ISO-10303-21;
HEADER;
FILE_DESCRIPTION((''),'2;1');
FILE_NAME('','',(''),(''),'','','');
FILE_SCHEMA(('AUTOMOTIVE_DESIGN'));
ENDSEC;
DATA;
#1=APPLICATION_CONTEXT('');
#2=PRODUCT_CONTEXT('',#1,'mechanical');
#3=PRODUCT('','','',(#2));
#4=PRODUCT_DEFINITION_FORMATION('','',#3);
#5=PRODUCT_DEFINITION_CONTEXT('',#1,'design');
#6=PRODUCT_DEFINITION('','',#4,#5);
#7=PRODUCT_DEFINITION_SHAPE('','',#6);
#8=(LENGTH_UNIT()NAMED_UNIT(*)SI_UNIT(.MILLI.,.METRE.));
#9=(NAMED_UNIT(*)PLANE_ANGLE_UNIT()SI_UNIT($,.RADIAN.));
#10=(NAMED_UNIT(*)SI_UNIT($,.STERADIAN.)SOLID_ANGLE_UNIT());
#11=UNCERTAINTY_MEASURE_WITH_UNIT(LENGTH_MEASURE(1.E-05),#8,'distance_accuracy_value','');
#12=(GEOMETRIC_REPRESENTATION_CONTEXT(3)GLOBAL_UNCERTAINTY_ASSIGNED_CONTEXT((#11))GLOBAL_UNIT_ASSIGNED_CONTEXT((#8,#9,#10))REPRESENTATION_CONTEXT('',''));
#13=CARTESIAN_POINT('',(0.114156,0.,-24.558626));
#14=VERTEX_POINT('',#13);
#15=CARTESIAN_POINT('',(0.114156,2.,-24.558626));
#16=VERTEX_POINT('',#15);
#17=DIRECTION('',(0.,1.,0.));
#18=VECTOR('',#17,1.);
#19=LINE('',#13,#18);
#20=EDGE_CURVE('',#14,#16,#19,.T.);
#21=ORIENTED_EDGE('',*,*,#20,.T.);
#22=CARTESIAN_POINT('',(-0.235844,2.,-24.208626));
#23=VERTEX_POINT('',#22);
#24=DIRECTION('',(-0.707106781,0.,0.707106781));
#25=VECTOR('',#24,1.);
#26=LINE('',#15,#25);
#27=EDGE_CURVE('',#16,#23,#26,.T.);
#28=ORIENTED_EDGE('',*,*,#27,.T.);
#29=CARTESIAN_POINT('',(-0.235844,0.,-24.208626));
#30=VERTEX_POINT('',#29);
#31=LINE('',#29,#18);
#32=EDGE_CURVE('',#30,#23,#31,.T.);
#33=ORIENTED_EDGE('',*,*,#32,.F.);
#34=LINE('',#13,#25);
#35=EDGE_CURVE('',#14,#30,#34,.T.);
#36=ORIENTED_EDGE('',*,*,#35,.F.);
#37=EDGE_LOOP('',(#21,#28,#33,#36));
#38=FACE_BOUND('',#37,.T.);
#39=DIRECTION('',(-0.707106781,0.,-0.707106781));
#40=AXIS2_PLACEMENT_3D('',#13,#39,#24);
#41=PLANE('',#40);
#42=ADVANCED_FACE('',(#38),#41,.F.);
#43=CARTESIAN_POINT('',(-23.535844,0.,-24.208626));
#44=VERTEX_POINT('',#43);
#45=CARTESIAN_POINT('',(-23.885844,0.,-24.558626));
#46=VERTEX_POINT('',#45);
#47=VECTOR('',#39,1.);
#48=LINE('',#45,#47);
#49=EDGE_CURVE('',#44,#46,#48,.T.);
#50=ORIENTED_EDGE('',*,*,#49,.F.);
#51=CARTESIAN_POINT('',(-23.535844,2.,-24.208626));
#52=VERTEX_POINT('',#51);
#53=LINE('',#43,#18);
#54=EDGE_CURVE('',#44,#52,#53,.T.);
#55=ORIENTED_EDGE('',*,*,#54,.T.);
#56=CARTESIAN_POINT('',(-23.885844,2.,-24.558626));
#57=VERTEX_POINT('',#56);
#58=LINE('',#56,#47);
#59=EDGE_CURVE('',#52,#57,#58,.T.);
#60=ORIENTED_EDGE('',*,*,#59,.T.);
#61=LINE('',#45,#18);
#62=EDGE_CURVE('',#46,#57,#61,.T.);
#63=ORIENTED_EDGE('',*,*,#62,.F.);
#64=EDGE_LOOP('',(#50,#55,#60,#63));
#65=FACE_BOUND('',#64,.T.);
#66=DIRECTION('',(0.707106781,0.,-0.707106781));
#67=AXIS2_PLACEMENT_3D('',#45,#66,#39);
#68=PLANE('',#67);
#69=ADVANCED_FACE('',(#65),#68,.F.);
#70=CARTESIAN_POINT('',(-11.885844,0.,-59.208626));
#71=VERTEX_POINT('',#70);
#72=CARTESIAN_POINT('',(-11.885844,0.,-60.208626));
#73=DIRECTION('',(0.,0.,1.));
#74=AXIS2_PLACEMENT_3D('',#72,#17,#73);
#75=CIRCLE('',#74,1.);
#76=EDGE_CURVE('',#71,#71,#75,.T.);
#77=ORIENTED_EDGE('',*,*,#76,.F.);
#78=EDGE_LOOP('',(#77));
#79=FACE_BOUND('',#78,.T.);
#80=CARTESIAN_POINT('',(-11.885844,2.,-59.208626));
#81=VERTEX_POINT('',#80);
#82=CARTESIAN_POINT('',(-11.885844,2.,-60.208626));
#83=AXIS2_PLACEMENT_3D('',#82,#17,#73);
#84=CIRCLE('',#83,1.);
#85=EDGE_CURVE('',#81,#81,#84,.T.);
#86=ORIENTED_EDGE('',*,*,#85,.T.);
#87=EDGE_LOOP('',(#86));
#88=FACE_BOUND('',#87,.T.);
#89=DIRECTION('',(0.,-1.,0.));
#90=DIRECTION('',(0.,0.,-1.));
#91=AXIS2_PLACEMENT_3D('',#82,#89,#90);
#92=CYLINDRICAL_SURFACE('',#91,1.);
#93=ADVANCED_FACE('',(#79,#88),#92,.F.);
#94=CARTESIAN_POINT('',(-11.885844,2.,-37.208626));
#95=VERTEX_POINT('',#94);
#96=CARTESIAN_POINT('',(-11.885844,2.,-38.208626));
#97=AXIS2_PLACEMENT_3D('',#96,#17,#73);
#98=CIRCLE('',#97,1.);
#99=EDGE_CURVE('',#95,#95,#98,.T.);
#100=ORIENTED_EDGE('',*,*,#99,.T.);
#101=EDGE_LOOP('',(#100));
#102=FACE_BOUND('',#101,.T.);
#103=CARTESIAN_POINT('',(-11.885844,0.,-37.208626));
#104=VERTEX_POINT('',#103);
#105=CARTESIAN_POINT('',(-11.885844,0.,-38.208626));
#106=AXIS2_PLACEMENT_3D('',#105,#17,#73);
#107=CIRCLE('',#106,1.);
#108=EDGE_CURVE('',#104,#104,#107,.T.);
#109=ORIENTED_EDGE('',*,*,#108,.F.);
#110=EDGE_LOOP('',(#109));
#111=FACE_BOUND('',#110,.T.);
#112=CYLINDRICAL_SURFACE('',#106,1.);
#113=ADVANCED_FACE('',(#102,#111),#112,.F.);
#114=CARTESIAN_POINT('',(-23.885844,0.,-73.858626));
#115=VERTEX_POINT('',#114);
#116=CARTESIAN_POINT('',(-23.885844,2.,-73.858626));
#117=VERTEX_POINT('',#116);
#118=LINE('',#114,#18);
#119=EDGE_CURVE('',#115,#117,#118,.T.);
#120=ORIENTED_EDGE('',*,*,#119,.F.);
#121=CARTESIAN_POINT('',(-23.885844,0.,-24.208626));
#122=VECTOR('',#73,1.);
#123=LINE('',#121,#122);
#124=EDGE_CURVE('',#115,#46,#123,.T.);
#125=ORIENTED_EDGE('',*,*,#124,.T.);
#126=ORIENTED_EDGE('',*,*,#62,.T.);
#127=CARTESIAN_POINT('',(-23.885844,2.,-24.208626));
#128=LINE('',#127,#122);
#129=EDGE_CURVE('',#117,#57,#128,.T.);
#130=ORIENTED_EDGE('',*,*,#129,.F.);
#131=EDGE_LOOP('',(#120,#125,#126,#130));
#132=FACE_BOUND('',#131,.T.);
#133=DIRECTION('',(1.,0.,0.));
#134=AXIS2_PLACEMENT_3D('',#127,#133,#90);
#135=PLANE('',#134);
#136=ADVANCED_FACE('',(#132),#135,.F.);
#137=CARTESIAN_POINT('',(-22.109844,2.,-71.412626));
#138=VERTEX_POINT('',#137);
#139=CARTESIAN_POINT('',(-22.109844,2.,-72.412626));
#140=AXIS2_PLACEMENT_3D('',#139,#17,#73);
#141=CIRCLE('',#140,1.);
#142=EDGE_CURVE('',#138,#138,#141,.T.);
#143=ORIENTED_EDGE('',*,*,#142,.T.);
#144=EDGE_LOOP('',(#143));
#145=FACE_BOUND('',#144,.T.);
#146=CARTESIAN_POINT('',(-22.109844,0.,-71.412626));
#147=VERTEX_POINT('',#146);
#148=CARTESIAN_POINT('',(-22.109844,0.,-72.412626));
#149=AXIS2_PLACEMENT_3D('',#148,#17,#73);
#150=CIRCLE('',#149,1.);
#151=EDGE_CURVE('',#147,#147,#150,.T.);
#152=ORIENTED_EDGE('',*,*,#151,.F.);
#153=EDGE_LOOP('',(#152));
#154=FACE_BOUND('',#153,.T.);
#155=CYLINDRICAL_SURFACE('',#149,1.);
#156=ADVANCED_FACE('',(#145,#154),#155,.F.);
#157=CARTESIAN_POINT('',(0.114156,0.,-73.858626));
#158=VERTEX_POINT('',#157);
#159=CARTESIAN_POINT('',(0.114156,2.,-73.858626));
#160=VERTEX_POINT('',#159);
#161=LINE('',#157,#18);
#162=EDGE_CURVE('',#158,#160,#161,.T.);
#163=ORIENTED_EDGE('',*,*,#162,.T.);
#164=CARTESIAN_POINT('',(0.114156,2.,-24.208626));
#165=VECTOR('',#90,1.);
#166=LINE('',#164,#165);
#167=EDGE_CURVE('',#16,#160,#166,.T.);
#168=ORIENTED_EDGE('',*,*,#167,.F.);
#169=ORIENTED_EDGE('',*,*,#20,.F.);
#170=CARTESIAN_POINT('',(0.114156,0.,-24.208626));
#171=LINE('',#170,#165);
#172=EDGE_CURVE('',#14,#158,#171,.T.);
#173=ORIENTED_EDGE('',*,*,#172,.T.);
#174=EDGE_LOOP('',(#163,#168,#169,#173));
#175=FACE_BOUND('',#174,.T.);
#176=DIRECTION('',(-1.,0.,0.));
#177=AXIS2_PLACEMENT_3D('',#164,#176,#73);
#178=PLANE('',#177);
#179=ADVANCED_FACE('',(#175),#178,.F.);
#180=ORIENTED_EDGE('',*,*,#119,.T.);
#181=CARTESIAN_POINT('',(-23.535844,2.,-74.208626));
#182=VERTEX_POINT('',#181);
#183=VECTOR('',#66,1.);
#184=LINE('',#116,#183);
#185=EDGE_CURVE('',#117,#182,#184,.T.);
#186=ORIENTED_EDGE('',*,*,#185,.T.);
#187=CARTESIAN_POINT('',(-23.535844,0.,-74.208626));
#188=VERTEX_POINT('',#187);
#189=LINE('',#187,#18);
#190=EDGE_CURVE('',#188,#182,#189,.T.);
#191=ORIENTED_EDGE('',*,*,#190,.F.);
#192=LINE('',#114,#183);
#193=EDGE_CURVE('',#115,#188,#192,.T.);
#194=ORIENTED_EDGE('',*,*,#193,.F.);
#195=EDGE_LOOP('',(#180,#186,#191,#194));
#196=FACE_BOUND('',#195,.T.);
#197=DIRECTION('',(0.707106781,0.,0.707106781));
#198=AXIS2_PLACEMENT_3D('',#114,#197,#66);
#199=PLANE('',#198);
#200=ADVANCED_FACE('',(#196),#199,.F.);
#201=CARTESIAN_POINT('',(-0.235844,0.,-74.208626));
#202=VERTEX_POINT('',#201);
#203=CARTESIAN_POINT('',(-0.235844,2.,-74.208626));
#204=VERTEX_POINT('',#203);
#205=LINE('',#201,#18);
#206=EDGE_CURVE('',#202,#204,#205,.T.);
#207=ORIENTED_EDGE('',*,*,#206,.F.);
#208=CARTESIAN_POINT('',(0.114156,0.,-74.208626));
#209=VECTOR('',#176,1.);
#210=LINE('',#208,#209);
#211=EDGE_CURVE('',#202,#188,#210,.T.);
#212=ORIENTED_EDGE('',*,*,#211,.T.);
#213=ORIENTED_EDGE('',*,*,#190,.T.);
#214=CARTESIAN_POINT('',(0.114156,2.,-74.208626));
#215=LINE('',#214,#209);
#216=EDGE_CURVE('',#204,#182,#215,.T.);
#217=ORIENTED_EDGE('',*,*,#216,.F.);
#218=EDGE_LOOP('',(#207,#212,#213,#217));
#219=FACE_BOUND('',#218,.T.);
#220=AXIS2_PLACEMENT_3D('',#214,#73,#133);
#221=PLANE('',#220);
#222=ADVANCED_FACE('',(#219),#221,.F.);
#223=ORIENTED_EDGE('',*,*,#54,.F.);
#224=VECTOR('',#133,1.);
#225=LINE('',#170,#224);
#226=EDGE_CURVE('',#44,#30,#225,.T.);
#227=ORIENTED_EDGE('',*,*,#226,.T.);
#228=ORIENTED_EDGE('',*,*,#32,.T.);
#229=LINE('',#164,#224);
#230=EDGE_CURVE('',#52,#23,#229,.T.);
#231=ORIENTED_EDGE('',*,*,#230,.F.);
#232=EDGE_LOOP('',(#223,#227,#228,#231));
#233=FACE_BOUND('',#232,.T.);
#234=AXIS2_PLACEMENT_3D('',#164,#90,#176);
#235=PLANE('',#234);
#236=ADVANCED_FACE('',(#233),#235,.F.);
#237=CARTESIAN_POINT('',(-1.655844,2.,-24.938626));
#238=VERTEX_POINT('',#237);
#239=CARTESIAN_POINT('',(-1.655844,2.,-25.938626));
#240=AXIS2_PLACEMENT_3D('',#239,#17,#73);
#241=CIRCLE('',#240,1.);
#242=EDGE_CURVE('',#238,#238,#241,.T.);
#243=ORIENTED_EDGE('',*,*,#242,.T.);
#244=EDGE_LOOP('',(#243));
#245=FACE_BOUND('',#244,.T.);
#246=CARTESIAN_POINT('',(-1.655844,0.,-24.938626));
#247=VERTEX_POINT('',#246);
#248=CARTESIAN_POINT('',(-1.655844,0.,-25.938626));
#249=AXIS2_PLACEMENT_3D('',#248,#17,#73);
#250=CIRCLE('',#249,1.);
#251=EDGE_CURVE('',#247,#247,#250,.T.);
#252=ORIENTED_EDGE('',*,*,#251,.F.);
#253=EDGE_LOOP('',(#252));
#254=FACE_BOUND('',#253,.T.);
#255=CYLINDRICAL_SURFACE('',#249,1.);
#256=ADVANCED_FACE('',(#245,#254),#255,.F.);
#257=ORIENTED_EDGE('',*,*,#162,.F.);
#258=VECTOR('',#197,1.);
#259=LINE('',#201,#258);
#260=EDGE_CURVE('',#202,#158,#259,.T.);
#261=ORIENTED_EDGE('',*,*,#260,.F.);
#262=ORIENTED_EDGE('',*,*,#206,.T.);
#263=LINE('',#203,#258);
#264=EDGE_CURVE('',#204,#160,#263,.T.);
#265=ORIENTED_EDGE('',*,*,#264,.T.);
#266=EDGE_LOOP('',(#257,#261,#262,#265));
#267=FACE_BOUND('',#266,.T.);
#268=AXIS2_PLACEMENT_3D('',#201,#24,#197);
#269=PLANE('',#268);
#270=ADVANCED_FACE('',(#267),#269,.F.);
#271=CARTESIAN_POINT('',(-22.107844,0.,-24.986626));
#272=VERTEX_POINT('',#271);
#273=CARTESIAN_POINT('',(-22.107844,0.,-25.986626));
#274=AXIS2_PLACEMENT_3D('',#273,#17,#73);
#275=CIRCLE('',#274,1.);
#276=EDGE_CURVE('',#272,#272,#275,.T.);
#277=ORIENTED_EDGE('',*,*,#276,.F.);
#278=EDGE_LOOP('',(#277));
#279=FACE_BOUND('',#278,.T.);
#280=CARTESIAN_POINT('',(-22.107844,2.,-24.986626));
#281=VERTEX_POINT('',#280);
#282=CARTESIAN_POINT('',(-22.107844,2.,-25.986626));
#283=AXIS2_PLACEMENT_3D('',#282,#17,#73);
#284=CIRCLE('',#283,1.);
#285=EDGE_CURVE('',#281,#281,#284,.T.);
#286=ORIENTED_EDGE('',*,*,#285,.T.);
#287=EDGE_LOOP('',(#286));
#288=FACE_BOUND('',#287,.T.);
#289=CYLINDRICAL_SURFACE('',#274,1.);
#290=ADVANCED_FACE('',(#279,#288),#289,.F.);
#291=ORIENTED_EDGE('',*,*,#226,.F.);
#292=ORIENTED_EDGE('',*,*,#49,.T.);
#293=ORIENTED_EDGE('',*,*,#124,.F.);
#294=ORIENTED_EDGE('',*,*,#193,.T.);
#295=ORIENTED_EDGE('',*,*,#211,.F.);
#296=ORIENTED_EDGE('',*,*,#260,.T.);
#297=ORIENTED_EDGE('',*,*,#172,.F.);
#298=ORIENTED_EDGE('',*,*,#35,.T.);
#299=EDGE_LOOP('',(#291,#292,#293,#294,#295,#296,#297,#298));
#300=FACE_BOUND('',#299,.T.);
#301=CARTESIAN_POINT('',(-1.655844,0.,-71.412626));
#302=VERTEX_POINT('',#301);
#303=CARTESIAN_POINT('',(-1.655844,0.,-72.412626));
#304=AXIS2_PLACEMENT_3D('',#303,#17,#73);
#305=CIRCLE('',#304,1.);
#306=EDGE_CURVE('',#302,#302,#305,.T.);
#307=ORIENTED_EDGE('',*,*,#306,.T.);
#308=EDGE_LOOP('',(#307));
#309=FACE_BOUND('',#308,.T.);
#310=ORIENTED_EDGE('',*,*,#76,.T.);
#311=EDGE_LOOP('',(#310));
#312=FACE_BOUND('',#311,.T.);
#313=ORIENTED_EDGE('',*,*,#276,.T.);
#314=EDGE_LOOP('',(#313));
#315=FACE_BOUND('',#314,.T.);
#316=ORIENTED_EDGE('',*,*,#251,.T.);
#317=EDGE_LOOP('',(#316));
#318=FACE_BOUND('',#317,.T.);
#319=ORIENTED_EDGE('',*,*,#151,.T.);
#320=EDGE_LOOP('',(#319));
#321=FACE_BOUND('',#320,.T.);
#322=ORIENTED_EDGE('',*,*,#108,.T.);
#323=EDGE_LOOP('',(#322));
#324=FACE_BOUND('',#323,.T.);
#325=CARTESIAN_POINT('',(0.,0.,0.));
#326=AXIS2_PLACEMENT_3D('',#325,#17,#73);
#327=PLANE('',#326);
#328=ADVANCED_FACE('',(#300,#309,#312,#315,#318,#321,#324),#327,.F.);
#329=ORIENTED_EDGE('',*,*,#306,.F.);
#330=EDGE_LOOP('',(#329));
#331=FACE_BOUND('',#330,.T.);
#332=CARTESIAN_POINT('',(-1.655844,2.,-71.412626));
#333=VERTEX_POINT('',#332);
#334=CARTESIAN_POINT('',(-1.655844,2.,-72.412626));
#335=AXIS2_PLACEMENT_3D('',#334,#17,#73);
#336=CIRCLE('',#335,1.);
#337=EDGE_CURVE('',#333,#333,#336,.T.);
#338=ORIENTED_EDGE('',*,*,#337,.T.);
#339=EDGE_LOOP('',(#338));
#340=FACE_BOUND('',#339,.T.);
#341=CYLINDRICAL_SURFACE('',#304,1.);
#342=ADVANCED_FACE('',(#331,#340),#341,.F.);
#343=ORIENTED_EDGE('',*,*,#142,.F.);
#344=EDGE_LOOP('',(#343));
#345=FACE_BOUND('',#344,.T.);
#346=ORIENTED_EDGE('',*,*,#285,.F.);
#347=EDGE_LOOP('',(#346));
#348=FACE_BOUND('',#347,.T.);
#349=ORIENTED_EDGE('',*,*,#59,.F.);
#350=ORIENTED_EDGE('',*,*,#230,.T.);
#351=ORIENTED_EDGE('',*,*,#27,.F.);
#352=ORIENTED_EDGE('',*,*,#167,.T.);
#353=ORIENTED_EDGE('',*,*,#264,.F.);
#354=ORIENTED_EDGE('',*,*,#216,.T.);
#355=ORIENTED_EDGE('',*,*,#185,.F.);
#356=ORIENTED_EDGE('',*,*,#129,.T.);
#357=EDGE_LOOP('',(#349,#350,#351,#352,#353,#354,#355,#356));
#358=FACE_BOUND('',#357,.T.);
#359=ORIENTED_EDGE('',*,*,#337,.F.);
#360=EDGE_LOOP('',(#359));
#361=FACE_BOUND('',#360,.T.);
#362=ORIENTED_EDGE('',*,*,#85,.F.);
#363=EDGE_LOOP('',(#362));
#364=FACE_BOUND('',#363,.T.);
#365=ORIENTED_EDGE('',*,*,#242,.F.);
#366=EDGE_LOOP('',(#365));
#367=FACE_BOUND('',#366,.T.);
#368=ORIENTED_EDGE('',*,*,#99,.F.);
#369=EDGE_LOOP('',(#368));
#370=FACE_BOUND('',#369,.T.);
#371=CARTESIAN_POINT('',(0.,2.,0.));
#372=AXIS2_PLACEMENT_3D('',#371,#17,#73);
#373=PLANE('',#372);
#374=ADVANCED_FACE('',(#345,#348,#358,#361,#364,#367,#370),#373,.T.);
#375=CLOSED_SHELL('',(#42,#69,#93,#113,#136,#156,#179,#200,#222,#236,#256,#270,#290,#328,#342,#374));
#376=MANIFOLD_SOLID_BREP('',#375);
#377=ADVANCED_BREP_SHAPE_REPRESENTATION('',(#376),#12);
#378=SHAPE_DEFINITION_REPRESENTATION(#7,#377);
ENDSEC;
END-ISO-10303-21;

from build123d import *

# Parameters (mm, degrees)
SKETCH_1_W          = 24
SKETCH_1_H          = 50
SKETCH_1_R          = 1
EXTRUDE_1_DEPTH     = 2
SKETCH_2_R          = 1
CUT_EXTRUDE_2_DEPTH = 2
CUT_EXTRUDE_3_DEPTH = 2


with BuildPart() as part:
    # 草图1 → 凸台-拉伸1 (new body)
    with BuildSketch(Plane(origin=(0, 0, 0), x_dir=(1, 0, 0), z_dir=(0, 1, 0))):
        with Locations((-11.885843957, 49.208625632)):
            Rectangle(SKETCH_1_W, SKETCH_1_H)
        with Locations(Location((-11.885843957, 60.208625632, 0), (0, 0, 270))):
            Circle(SKETCH_1_R, mode=Mode.SUBTRACT)
    extrude(amount=EXTRUDE_1_DEPTH)

    # 草图2 → 切除-拉伸2 (cut)
    with BuildSketch(Plane(origin=(0, 2, 0), x_dir=(1, 0, 0), z_dir=(0, 1, 0))):
        with Locations(Location((-11.885843957, 38.208625632, 0), (0, 0, 270))):
            Circle(SKETCH_2_R)
        with Locations(Location((-22.109843957, 72.412625632, 0), (0, 0, 270))):
            Circle(SKETCH_2_R)
        with Locations(Location((-1.655843957, 72.412625632, 0), (0, 0, 270))):
            Circle(SKETCH_2_R)
        with Locations(Location((-22.107843957, 25.986625632, 0), (0, 0, 270))):
            Circle(SKETCH_2_R)
        with Locations(Location((-1.655843957, 25.938625632, 0), (0, 0, 270))):
            Circle(SKETCH_2_R)
    extrude(amount=-CUT_EXTRUDE_2_DEPTH, mode=Mode.SUBTRACT)

    # 草图3 → 切除-拉伸3 (cut)
    with BuildSketch(Plane(origin=(0, 2, 0), x_dir=(1, 0, 0), z_dir=(0, 1, 0))):
        Polygon((-23.885843957, 74.208625632), (-23.535843957, 74.208625632), (-23.885843957, 73.858625632), align=None)
        Polygon((0.114156043, 74.208625632), (0.114156043, 73.858625632), (-0.235843957, 74.208625632), align=None)
        Polygon((0.114156043, 24.208625632), (-0.235843957, 24.208625632), (0.114156043, 24.558625632), align=None)
        Polygon((-23.885843957, 24.208625632), (-23.535843957, 24.208625632), (-23.885843957, 24.558625632), align=None)
    extrude(amount=-CUT_EXTRUDE_3_DEPTH, mode=Mode.SUBTRACT)


solid = part.part
